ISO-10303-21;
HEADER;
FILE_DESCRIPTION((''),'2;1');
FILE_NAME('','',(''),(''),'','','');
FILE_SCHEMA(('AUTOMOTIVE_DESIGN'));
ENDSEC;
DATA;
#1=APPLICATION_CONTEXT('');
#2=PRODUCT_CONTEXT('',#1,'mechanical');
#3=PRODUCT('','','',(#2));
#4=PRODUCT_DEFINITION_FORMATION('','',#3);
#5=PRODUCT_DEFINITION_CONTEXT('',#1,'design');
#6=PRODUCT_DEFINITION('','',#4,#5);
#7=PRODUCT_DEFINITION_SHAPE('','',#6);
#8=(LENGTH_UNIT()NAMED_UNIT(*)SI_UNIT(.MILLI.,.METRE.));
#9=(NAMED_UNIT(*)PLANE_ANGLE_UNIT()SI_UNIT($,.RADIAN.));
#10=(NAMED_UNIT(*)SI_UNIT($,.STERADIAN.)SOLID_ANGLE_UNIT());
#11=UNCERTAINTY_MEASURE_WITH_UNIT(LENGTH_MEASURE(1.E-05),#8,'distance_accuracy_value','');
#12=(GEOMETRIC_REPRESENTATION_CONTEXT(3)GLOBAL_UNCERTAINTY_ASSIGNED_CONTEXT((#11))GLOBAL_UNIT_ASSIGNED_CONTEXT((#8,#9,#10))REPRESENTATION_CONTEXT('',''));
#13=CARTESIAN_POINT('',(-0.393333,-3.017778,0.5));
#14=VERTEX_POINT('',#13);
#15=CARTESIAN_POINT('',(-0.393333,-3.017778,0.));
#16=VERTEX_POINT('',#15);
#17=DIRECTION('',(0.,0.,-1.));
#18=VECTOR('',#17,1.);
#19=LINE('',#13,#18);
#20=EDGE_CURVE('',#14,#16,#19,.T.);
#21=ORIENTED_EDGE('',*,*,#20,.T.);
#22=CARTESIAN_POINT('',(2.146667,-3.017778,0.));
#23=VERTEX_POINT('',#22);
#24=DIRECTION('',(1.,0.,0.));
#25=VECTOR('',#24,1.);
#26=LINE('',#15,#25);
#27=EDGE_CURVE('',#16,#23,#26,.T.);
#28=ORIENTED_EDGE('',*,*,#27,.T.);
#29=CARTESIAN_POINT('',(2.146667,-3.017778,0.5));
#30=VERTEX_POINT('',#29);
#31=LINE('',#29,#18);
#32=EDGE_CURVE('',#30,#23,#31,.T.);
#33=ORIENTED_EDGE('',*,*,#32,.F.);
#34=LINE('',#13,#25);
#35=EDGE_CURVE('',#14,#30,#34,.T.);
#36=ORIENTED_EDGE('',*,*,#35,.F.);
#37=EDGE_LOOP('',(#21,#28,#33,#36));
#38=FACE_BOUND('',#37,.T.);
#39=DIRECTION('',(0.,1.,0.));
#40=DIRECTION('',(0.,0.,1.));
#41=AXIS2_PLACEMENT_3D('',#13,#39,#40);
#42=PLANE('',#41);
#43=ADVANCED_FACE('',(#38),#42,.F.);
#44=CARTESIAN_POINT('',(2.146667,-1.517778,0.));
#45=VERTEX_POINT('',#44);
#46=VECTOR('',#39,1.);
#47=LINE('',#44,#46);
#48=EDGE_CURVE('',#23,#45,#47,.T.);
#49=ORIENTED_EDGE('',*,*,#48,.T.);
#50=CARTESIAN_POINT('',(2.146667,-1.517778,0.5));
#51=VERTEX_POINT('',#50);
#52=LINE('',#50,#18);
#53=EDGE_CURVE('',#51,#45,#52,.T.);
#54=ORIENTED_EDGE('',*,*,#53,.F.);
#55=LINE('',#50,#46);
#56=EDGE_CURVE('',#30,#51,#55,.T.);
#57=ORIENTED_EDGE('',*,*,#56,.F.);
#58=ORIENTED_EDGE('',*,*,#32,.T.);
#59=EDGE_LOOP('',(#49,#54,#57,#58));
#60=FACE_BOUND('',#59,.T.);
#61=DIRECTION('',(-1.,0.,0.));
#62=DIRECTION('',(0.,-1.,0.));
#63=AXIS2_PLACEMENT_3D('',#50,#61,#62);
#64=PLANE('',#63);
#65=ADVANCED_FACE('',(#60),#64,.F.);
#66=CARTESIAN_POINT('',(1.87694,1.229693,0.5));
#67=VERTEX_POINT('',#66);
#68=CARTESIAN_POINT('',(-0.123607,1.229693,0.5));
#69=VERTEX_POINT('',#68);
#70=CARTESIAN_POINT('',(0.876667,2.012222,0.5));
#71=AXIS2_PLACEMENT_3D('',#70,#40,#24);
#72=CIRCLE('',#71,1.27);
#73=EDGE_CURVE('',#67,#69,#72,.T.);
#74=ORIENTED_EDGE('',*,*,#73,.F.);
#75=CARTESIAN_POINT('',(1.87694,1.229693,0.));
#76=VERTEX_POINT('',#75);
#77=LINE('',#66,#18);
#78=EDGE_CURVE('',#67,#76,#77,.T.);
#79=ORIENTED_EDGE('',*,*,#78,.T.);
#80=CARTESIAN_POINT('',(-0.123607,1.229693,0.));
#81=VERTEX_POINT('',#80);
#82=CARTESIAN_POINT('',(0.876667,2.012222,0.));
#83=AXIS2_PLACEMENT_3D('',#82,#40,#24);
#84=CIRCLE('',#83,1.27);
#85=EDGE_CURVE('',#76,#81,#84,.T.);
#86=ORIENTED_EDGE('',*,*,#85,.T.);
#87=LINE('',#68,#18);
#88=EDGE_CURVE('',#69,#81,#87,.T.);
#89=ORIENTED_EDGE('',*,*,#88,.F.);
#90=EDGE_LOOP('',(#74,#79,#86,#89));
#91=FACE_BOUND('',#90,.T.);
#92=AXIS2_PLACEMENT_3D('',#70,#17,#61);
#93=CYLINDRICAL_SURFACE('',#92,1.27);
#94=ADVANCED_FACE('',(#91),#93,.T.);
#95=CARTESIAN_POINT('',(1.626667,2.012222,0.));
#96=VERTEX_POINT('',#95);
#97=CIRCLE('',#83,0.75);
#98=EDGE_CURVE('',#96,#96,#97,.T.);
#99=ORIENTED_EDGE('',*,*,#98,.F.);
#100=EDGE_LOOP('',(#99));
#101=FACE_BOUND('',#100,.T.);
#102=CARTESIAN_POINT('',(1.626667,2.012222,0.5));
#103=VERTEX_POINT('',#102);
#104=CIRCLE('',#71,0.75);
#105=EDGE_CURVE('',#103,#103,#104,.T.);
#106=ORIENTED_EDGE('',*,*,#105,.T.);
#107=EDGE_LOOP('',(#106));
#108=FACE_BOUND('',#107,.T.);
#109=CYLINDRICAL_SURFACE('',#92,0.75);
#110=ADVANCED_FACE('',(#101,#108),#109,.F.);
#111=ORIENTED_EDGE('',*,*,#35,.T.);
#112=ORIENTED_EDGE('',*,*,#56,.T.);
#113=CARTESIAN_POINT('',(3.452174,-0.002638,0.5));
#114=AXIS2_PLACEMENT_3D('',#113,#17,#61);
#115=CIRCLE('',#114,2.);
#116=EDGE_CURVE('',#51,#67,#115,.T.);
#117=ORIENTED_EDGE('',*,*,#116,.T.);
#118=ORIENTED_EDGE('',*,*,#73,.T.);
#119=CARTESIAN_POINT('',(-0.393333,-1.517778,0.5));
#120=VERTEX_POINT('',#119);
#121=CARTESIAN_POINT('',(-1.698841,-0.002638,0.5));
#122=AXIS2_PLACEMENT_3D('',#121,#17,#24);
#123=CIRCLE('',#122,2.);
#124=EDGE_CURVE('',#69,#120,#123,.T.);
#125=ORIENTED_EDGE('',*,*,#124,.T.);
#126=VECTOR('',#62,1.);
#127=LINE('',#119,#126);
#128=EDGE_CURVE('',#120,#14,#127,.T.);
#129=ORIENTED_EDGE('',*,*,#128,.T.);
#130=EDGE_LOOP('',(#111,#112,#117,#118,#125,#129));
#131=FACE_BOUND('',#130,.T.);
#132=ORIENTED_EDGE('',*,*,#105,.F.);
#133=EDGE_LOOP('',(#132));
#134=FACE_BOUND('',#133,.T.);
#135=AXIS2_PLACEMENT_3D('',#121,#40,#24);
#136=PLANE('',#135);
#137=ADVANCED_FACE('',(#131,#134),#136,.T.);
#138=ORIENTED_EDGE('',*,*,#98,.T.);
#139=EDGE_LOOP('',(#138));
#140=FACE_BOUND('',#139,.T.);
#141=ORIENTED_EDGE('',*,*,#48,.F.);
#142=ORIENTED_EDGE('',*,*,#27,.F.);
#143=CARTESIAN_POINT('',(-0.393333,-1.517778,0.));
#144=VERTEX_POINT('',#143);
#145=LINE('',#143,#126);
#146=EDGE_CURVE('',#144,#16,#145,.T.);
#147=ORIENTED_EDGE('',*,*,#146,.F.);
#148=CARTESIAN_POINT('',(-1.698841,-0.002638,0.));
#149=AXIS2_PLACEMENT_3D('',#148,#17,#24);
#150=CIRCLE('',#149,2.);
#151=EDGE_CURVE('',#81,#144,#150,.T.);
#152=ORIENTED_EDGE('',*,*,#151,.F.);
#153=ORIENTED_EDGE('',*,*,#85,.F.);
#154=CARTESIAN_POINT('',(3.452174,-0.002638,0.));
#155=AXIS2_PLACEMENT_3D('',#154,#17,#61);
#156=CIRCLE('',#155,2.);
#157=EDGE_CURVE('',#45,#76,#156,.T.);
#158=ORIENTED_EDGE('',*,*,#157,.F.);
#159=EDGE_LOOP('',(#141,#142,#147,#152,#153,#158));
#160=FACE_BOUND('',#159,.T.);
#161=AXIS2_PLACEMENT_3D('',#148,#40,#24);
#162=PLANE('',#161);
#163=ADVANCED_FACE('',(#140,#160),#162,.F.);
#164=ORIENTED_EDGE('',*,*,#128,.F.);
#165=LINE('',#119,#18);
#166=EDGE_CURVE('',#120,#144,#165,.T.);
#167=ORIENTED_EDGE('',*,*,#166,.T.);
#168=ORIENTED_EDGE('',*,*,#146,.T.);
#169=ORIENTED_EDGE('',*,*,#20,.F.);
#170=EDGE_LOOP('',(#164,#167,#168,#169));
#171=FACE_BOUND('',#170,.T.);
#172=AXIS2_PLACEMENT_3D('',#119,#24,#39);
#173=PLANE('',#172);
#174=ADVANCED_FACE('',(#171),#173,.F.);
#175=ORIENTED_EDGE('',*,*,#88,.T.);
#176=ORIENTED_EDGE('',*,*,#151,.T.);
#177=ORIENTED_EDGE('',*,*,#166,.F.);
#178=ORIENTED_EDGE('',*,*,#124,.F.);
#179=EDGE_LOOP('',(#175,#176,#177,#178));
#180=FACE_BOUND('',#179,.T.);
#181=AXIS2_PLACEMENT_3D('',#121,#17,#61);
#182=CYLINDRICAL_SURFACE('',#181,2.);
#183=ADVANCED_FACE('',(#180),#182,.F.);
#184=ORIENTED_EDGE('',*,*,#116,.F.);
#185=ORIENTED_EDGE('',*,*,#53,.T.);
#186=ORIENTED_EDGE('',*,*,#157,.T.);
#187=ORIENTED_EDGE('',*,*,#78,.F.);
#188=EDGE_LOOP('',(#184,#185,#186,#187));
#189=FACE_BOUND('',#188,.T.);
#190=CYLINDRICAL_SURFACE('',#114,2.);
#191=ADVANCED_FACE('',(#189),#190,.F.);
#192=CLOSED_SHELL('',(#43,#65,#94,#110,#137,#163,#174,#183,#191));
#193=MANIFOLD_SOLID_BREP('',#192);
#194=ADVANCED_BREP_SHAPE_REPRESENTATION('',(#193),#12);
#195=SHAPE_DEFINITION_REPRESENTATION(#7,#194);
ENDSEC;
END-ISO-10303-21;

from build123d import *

# Parameters (mm, degrees)
SKETCH1_R           = 0.75
BOSS_EXTRUDE1_DEPTH = 0.5


with BuildPart() as part:
    # Sketch1 → Boss-Extrude1 (new body)
    with BuildSketch(Plane.XY):
        with BuildLine():
            Line((-0.393333333, -3.017777778), (2.146666667, -3.017777778))
            Line((2.146666667, -3.017777778), (2.146666667, -1.517777778))
            ThreePointArc((2.146666667, -1.517777778), (1.4617431, -0.198043481), (1.876940292, 1.229692558))
            ThreePointArc((1.876940292, 1.229692558), (0.876666667, 3.282222222), (-0.123606959, 1.229692558))
            ThreePointArc((-0.123606959, 1.229692558), (0.291590233, -0.198043481), (-0.393333333, -1.517777778))
            Line((-0.393333333, -1.517777778), (-0.393333333, -3.017777778))
        make_face()
        with Locations((0.876666667, 2.012222222)):
            Circle(SKETCH1_R, mode=Mode.SUBTRACT)
    extrude(amount=BOSS_EXTRUDE1_DEPTH)


solid = part.part
